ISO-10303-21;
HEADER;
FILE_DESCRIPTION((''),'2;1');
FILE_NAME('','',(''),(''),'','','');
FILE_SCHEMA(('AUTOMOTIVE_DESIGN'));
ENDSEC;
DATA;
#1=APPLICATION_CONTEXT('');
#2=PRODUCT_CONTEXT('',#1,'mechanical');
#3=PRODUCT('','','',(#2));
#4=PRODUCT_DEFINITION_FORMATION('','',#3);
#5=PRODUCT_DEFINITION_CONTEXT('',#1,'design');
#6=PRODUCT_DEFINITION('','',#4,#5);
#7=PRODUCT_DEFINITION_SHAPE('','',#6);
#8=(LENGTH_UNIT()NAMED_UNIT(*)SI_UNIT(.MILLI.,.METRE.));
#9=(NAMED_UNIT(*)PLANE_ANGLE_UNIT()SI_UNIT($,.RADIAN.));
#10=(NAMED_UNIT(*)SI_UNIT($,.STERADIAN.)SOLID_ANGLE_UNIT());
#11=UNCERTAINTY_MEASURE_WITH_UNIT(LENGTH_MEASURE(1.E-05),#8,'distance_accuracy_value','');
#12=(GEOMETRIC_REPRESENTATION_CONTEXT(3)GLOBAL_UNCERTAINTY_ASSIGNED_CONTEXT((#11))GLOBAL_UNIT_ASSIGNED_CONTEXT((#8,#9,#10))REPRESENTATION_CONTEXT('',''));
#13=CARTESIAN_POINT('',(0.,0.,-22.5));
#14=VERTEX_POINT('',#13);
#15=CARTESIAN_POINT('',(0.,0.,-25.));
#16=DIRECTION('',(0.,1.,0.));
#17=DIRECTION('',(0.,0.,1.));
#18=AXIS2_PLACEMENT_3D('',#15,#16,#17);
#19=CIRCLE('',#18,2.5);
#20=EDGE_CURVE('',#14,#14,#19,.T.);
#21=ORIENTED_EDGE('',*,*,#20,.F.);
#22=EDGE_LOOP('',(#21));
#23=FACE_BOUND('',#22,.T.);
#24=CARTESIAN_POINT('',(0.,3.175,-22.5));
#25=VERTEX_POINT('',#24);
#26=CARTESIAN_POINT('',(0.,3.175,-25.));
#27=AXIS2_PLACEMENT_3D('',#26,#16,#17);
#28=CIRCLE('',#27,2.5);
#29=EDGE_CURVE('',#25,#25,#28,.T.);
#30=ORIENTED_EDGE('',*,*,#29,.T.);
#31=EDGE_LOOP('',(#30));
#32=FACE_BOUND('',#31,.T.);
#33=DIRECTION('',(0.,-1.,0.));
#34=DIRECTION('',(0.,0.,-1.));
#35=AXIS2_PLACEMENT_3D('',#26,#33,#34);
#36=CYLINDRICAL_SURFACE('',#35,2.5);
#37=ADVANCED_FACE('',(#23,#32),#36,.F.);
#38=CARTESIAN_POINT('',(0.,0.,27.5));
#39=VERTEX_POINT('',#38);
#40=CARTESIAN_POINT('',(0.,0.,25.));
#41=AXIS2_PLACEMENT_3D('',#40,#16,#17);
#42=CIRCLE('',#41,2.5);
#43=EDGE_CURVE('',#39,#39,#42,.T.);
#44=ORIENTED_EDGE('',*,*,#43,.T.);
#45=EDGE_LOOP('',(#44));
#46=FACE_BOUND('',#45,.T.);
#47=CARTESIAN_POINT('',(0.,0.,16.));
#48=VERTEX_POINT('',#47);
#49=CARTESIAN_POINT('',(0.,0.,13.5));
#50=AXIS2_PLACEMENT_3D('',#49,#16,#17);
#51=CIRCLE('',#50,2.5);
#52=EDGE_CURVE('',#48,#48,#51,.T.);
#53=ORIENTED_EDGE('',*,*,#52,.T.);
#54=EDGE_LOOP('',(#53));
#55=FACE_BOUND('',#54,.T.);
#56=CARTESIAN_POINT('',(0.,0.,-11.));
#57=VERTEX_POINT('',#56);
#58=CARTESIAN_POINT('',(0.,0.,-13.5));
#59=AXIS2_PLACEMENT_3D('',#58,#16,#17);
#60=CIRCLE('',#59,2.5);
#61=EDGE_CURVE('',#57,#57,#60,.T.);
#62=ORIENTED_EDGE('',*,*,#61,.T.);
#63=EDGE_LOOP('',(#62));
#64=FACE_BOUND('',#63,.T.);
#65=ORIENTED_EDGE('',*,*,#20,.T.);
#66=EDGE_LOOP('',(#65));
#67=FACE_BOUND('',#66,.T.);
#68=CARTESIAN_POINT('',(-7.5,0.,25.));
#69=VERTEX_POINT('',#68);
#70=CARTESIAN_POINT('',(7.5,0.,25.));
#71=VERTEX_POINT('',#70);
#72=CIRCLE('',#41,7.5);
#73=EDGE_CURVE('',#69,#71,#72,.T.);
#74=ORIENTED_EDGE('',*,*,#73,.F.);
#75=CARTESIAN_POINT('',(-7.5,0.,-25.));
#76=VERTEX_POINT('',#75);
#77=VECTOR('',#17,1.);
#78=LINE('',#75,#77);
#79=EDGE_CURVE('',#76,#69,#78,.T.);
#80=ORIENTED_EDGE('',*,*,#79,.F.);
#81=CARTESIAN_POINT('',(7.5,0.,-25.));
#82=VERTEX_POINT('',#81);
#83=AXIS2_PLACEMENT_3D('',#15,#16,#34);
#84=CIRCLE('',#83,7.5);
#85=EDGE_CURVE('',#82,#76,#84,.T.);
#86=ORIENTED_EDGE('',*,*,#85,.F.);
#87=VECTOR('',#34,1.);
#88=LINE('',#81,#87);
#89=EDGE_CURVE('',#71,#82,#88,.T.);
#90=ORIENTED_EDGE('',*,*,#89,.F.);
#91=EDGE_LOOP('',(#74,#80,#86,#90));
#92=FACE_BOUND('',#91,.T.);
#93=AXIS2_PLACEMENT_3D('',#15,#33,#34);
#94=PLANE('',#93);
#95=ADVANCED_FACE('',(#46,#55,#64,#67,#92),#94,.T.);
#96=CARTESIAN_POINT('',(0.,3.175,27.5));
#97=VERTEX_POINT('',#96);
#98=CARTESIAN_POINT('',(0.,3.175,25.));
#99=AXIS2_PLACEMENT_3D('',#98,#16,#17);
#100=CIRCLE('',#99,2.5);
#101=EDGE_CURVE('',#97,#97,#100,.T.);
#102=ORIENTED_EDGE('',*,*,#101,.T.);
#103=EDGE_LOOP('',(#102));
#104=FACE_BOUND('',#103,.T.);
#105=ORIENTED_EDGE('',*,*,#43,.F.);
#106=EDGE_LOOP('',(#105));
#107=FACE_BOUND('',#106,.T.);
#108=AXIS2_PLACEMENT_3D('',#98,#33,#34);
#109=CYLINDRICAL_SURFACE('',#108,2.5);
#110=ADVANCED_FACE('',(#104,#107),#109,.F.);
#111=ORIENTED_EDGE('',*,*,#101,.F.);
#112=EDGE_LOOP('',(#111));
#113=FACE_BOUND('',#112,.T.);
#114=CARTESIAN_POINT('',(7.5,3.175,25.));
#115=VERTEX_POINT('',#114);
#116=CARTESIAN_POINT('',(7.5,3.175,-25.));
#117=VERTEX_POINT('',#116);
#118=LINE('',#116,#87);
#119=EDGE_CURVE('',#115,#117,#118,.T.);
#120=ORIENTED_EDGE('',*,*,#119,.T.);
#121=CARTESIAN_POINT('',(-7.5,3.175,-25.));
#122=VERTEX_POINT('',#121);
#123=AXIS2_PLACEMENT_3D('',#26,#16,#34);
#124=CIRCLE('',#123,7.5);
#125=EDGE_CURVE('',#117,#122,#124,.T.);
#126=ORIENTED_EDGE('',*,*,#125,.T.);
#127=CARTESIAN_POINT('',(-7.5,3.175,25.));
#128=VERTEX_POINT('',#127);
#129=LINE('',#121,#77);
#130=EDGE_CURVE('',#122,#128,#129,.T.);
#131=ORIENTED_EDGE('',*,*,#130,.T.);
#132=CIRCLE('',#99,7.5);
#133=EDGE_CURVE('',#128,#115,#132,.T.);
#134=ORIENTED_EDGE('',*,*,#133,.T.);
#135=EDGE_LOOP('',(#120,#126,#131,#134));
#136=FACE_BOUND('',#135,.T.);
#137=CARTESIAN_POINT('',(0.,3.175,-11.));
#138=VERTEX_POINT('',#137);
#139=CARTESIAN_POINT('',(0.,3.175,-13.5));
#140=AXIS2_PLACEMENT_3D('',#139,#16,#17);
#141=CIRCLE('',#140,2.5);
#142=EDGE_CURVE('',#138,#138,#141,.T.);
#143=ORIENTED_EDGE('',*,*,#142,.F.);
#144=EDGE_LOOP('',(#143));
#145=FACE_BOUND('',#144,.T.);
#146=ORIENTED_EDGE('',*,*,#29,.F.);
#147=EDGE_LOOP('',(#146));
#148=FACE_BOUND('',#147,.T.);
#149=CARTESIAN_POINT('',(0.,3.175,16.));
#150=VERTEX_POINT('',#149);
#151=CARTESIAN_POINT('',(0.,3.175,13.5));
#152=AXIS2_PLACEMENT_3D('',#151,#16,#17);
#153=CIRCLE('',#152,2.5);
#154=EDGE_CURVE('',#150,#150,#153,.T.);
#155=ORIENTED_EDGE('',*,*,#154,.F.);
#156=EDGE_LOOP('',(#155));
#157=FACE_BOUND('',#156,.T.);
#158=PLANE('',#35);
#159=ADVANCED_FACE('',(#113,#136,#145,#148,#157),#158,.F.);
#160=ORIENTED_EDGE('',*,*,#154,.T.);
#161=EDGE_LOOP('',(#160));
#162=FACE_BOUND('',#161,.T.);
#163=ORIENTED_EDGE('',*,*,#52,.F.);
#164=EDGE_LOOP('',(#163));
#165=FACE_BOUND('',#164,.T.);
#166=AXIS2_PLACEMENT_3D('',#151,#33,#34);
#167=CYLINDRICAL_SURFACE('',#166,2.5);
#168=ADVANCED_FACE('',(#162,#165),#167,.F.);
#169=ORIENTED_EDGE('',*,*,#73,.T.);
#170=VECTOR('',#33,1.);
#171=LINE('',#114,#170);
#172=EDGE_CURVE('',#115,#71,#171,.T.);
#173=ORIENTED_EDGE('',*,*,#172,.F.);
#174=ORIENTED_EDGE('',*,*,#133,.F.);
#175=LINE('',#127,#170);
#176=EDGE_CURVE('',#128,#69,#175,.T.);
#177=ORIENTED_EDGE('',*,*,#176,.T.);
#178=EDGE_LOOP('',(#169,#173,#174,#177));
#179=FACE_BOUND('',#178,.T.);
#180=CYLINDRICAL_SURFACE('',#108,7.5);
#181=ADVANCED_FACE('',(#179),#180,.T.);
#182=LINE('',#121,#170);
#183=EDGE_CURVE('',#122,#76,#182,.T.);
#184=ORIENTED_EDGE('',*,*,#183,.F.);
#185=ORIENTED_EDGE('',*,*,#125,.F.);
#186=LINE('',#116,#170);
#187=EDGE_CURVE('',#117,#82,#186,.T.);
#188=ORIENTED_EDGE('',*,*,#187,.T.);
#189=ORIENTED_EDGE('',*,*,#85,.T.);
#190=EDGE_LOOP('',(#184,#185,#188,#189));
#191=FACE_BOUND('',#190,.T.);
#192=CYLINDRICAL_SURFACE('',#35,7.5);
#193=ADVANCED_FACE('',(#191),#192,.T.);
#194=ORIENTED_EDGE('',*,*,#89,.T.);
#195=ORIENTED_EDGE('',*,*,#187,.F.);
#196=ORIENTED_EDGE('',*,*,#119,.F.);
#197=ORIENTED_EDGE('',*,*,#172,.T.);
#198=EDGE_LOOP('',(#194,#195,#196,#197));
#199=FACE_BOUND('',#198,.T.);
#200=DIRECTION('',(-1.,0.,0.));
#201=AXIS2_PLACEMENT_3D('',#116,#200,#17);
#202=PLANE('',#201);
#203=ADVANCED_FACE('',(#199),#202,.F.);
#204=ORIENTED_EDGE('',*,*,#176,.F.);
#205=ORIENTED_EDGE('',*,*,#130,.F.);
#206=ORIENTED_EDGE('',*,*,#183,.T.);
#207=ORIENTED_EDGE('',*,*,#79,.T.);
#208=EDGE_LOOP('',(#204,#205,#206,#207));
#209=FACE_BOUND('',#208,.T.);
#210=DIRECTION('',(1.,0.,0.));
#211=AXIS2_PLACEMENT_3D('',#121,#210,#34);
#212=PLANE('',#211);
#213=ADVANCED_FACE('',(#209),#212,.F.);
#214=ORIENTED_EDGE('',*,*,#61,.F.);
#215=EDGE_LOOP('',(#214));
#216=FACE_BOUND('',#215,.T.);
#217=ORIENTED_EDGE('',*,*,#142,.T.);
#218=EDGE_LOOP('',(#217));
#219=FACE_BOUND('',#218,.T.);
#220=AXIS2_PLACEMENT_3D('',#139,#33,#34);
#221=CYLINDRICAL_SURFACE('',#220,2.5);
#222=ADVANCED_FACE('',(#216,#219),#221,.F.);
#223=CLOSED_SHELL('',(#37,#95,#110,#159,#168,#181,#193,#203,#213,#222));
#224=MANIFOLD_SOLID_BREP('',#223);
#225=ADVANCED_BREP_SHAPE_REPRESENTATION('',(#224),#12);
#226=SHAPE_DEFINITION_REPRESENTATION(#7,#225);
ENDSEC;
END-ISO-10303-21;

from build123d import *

# Parameters (mm, degrees)
SKETCH1_R           = 2.5
BOSS_EXTRUDE1_DEPTH = 3.175


with BuildPart() as part:
    # Sketch1 → Boss-Extrude1 (new body)
    with BuildSketch(Plane(origin=(0, 0, 0), x_dir=(1, 0, 0), z_dir=(0, 1, 0))):
        with BuildLine():
            Line((-7.5, 25), (-7.5, -25))
            ThreePointArc((-7.5, -25), (0, -32.5), (7.5, -25))
            Line((7.5, -25), (7.5, 25))
            ThreePointArc((7.5, 25), (0, 32.5), (-7.5, 25))
        make_face()
        with Locations(Location((0, 25, 0), (0, 0, 270))):
            Circle(SKETCH1_R, mode=Mode.SUBTRACT)
        with Locations(Location((0, -25, 0), (0, 0, 270))):
            Circle(SKETCH1_R, mode=Mode.SUBTRACT)
        with Locations(Location((0, 13.5, 0), (0, 0, 270))):
            Circle(SKETCH1_R, mode=Mode.SUBTRACT)
        with Locations(Location((0, -13.5, 0), (0, 0, 270))):
            Circle(SKETCH1_R, mode=Mode.SUBTRACT)
    extrude(amount=BOSS_EXTRUDE1_DEPTH)


solid = part.part
